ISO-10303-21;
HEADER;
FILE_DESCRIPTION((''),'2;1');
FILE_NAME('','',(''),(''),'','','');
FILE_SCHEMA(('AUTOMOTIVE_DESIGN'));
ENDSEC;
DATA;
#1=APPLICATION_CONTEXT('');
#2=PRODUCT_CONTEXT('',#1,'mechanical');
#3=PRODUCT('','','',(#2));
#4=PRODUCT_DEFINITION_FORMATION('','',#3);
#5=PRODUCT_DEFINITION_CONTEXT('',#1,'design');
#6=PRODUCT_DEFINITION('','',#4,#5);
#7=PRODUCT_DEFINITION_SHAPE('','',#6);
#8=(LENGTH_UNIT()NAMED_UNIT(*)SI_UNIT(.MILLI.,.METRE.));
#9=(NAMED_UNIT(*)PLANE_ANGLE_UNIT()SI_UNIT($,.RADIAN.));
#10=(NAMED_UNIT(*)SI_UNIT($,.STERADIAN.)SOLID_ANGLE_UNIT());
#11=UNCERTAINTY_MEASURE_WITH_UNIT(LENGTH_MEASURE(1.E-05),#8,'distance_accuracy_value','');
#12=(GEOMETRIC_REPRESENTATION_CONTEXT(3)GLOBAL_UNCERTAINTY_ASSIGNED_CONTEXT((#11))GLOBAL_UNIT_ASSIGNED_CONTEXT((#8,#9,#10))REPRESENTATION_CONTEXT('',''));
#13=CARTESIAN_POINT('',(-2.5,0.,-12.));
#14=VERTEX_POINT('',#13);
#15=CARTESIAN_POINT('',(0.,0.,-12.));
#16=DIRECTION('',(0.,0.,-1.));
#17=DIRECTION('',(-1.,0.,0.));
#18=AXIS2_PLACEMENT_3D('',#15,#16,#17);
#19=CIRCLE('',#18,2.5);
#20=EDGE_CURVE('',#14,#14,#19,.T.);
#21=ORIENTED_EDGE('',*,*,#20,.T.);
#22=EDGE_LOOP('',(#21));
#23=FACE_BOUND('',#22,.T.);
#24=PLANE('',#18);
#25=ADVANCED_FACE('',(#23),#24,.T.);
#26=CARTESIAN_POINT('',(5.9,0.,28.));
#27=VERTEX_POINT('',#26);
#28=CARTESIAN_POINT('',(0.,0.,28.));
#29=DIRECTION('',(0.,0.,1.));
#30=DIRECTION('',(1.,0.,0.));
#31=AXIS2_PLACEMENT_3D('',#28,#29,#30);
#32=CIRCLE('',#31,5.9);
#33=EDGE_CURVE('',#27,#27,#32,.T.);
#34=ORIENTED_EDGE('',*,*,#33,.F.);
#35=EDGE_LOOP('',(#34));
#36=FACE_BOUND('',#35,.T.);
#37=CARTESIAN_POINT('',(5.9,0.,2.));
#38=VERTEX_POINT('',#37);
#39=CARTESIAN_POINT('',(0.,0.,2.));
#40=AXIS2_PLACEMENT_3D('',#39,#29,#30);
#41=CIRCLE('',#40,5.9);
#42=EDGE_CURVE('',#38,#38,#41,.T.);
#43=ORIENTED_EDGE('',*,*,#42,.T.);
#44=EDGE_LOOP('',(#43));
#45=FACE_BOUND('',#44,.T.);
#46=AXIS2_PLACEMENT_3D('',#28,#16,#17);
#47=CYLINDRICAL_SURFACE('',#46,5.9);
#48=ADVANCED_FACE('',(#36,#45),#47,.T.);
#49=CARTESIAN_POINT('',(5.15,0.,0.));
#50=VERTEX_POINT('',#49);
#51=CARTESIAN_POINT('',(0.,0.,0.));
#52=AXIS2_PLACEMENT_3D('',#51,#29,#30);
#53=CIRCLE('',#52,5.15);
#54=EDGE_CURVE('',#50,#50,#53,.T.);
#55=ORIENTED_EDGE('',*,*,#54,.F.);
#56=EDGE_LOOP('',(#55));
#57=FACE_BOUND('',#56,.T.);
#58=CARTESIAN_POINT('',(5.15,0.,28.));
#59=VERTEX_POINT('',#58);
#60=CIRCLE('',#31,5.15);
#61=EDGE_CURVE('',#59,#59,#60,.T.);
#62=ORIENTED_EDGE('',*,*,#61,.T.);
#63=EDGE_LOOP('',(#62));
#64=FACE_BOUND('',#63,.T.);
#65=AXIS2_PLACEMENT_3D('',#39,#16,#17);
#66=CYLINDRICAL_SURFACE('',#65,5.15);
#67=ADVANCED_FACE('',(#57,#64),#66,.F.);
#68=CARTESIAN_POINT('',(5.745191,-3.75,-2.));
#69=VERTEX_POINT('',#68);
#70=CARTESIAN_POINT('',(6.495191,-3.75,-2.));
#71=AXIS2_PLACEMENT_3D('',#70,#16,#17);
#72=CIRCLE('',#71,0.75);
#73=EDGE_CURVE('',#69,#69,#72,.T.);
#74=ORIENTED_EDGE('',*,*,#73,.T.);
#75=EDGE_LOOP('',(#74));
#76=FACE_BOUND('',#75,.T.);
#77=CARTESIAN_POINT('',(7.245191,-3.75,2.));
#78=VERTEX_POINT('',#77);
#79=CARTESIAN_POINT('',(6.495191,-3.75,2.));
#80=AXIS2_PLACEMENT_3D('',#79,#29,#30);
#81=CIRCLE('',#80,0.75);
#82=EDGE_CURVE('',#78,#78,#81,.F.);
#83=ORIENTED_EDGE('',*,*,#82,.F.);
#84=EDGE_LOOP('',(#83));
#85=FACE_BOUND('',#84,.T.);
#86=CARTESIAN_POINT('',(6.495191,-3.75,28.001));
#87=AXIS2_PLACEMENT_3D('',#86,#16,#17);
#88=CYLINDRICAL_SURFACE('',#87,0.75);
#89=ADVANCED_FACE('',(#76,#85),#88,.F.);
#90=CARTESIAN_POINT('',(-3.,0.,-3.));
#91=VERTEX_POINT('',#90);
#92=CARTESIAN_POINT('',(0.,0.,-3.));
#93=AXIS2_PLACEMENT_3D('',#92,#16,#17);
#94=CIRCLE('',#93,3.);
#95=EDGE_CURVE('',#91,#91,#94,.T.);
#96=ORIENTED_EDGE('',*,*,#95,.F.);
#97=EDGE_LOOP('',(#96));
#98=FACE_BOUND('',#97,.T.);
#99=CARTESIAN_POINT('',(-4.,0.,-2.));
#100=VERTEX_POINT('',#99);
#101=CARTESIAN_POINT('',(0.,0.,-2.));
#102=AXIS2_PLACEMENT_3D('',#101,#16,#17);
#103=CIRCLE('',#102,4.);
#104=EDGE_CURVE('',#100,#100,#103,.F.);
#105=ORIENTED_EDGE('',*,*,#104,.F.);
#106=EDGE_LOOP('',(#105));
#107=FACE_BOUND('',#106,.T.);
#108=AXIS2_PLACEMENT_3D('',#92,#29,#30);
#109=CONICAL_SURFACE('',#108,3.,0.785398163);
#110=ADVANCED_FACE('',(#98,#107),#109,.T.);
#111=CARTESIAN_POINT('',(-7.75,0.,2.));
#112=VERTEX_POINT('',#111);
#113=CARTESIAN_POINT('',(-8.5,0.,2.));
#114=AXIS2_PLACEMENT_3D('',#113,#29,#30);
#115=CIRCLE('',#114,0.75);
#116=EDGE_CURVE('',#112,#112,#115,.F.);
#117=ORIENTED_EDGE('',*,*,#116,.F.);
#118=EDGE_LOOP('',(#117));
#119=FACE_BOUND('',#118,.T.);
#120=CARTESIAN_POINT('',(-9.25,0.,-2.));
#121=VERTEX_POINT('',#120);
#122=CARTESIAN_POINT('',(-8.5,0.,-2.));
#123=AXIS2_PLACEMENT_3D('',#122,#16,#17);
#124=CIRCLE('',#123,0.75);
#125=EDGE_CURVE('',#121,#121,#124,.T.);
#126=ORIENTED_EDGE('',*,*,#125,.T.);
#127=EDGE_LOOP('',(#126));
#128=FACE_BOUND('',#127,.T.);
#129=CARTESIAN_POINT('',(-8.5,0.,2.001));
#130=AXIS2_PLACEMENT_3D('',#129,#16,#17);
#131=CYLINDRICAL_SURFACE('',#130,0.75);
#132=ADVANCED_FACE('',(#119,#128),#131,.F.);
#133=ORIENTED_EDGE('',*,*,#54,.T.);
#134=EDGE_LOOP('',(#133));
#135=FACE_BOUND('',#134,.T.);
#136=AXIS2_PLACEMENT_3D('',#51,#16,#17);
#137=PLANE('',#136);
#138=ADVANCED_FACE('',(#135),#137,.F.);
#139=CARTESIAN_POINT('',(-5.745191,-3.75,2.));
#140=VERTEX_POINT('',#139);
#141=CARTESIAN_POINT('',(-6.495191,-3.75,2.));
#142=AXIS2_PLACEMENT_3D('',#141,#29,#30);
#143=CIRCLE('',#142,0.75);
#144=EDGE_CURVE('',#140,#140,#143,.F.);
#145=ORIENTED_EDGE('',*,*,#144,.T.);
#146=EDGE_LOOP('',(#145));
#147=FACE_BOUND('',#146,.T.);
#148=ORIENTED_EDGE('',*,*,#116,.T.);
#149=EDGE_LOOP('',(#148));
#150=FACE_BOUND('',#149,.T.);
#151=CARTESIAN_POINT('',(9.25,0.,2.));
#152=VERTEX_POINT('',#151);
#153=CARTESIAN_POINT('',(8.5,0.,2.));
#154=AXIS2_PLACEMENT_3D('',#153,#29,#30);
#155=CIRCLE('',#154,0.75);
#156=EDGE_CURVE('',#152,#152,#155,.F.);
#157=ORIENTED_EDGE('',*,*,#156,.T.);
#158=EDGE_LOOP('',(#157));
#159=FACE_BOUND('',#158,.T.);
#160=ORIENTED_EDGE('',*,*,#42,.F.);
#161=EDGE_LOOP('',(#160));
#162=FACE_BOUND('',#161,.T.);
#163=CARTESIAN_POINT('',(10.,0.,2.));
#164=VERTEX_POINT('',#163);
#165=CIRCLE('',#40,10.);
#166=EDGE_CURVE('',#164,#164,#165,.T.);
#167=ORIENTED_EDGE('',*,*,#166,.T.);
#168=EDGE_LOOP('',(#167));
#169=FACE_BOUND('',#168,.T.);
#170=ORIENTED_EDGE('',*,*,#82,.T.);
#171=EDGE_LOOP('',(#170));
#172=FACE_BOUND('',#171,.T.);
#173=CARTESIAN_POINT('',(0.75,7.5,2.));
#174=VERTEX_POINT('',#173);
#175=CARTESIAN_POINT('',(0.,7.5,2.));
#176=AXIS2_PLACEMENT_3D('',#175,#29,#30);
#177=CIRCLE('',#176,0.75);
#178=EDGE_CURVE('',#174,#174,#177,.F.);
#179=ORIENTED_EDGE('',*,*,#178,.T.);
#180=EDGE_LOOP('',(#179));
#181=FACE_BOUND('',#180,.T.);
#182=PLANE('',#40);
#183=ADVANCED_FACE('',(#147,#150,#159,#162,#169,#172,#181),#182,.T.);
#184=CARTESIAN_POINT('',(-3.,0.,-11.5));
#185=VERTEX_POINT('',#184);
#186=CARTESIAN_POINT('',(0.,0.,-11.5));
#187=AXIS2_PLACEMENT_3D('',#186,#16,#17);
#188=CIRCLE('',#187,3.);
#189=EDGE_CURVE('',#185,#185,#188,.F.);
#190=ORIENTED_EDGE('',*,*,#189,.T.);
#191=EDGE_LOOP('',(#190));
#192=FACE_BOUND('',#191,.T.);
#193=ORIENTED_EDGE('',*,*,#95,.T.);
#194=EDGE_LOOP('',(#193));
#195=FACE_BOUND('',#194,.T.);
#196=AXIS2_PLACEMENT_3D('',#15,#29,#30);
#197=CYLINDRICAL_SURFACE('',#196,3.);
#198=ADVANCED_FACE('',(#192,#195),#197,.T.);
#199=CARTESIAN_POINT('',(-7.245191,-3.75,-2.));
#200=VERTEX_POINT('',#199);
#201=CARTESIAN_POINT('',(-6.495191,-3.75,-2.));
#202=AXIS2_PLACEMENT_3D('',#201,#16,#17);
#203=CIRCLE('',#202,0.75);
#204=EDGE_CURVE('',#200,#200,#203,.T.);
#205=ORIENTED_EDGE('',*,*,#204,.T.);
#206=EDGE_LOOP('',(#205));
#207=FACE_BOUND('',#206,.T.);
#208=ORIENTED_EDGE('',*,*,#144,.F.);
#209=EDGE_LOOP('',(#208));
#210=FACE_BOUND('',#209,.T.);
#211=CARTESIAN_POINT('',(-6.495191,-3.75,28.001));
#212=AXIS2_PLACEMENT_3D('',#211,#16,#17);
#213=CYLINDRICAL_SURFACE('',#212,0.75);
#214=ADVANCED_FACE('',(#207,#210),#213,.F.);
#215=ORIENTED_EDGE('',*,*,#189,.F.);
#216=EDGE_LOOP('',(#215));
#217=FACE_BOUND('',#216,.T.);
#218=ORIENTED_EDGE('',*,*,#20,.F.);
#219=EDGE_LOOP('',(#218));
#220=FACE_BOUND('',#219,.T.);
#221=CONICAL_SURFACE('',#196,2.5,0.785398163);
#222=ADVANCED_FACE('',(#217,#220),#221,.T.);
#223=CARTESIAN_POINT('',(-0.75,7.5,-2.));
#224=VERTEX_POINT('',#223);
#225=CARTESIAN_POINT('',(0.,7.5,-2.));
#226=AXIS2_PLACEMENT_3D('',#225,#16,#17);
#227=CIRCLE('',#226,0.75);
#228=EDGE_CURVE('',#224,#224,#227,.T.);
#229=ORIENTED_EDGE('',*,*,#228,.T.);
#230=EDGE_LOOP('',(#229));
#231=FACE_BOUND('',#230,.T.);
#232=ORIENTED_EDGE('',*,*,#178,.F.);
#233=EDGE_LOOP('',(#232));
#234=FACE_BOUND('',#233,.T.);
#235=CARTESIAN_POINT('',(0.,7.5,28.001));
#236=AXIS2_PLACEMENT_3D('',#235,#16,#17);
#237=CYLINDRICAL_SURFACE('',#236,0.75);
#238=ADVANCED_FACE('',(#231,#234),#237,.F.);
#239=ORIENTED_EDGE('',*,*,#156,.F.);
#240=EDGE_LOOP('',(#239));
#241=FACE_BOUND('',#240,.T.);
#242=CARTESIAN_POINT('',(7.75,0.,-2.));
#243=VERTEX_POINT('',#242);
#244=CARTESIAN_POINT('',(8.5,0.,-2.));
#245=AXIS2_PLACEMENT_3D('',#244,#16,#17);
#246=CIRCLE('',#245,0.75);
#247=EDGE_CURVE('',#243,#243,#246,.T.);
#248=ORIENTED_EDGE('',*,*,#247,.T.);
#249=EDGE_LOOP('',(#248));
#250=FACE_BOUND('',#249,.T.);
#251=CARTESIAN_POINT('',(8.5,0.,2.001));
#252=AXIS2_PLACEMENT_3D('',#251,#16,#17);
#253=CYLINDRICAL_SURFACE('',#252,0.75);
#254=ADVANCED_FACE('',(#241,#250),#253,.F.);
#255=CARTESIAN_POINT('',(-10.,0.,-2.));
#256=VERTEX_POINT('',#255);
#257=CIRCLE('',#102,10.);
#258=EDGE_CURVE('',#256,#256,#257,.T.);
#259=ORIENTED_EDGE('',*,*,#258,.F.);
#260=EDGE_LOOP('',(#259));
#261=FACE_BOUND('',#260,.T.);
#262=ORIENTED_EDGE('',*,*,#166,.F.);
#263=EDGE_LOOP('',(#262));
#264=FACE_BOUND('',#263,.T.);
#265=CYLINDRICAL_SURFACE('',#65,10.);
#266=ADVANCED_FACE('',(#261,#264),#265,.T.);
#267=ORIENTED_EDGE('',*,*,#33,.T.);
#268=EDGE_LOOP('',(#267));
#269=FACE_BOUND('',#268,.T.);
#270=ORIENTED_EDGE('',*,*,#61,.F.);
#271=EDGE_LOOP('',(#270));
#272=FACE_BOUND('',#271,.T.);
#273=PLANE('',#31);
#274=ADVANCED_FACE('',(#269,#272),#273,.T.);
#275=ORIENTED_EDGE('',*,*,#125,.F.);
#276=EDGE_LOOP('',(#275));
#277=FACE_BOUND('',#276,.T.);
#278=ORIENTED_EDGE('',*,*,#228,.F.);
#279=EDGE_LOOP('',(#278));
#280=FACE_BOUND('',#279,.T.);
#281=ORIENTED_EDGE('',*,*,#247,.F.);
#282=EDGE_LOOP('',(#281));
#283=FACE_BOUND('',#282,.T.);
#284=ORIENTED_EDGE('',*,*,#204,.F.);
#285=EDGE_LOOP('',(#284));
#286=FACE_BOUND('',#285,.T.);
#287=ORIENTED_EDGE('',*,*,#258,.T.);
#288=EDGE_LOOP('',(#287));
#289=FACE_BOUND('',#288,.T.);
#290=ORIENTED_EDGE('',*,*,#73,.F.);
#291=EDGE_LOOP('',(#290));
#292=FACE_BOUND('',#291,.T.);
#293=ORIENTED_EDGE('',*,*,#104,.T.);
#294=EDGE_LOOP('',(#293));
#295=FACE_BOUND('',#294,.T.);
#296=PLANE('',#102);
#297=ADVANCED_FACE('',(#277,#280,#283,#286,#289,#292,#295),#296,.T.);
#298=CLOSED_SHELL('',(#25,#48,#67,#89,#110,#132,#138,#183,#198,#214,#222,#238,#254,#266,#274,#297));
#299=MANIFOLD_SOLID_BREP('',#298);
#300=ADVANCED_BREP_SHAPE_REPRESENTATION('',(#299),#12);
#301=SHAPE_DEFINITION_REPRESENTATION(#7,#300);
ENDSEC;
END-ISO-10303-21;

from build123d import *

# Parameters (mm, degrees)
SKETCH1_R           = 10
SKETCH1_R_2         = 5.15
BOSS_EXTRUDE1_DEPTH = 2
SKETCH3_R           = 3
BOSS_EXTRUDE2_DEPTH = 12
SKETCH4_R           = 10
SKETCH4_R_2         = 3
BOSS_EXTRUDE3_DEPTH = 2
CHAMFER2_SIZE       = 1
CHAMFER4_SIZE       = 0.5
CUT_EXTRUDE1_REACH  = 6
SKETCH5_R           = 0.75
SKETCH6_R           = 5.9
SKETCH6_R_2         = 5.15
BOSS_EXTRUDE4_DEPTH = 26
CUT_EXTRUDE2_REACH  = 32
SKETCH7_R           = 0.75


with BuildPart() as part:
    # Sketch1 → Boss-Extrude1 (new body)
    with BuildSketch(Plane.XY):
        Circle(SKETCH1_R)
        Circle(SKETCH1_R_2, mode=Mode.SUBTRACT)
    extrude(amount=BOSS_EXTRUDE1_DEPTH)



with BuildPart() as body_2:
    # Sketch3 → Boss-Extrude2 (new body)
    with BuildSketch(Plane(origin=(0, 0, 0), x_dir=(-1, 0, 0), z_dir=(0, 0, -1))):
        Circle(SKETCH3_R)
    extrude(amount=BOSS_EXTRUDE2_DEPTH)


with BuildPart() as part_1:
    add(part.part)

    add(body_2.part)  # Boss-Extrude3 merges body 2
    # Sketch4 → Boss-Extrude3 (add)
    with BuildSketch(Plane(origin=(0, 0, 0), x_dir=(-1, 0, 0), z_dir=(0, 0, -1))):
        Circle(SKETCH4_R)
        Circle(SKETCH4_R_2, mode=Mode.SUBTRACT)
    extrude(amount=BOSS_EXTRUDE3_DEPTH)

    # Chamfer2
    chamfer2_edges = [part_1.edges().sort_by_distance(p)[0] for p in [
        (3, 0, -2),
    ]]
    chamfer(chamfer2_edges, length=CHAMFER2_SIZE)

    # Chamfer4
    chamfer4_edges = [part_1.edges().sort_by_distance(p)[0] for p in [
        (3, 0, -12),
    ]]
    chamfer(chamfer4_edges, length=CHAMFER4_SIZE)

    # Sketch5 → Cut-Extrude1 (cut, up to next)
    with BuildSketch(Plane(origin=(0, 0, -2), x_dir=(-1, 0, 0), z_dir=(0, 0, -1)), mode=Mode.PRIVATE) as cut_extrude1_sk1:
        with Locations((-8.5, 0)):
            Circle(SKETCH5_R)
    cut_extrude1_tool1 = extrude(cut_extrude1_sk1.sketch, amount=-CUT_EXTRUDE1_REACH, mode=Mode.PRIVATE) & part_1.part
    add(cut_extrude1_tool1.solids().sort_by_distance((8.5, 0, -2))[0], mode=Mode.SUBTRACT)
    # Sketch5 → Cut-Extrude1 (cut, up to next)
    with BuildSketch(Plane(origin=(0, 0, -2), x_dir=(-1, 0, 0), z_dir=(0, 0, -1)), mode=Mode.PRIVATE) as cut_extrude1_sk2:
        with Locations((8.5, 0)):
            Circle(SKETCH5_R)
    cut_extrude1_tool2 = extrude(cut_extrude1_sk2.sketch, amount=-CUT_EXTRUDE1_REACH, mode=Mode.PRIVATE) & part_1.part
    add(cut_extrude1_tool2.solids().sort_by_distance((-8.5, 0, -2))[0], mode=Mode.SUBTRACT)

    # Sketch6 → Boss-Extrude4 (add)
    with BuildSketch(Plane.XY.offset(2)):
        Circle(SKETCH6_R)
        Circle(SKETCH6_R_2, mode=Mode.SUBTRACT)
    extrude(amount=BOSS_EXTRUDE4_DEPTH)

    # Sketch7 → Cut-Extrude2 (cut, up to next)
    with BuildSketch(Plane(origin=(0, 0, -2), x_dir=(-1, 0, 0), z_dir=(0, 0, -1)), mode=Mode.PRIVATE) as cut_extrude2_sk1:
        with Locations((0, 7.5)):
            Circle(SKETCH7_R)
    cut_extrude2_tool1 = extrude(cut_extrude2_sk1.sketch, amount=-CUT_EXTRUDE2_REACH, mode=Mode.PRIVATE) & part_1.part
    add(cut_extrude2_tool1.solids().sort_by_distance((0, 7.5, -2))[0], mode=Mode.SUBTRACT)
    # Sketch7 → Cut-Extrude2 (cut, up to next)
    with BuildSketch(Plane(origin=(0, 0, -2), x_dir=(-1, 0, 0), z_dir=(0, 0, -1)), mode=Mode.PRIVATE) as cut_extrude2_sk2:
        with Locations((6.495190528, -3.75)):
            Circle(SKETCH7_R)
    cut_extrude2_tool2 = extrude(cut_extrude2_sk2.sketch, amount=-CUT_EXTRUDE2_REACH, mode=Mode.PRIVATE) & part_1.part
    add(cut_extrude2_tool2.solids().sort_by_distance((-6.495191, -3.75, -2))[0], mode=Mode.SUBTRACT)
    # Sketch7 → Cut-Extrude2 (cut, up to next)
    with BuildSketch(Plane(origin=(0, 0, -2), x_dir=(-1, 0, 0), z_dir=(0, 0, -1)), mode=Mode.PRIVATE) as cut_extrude2_sk3:
        with Locations((-6.495190528, -3.75)):
            Circle(SKETCH7_R)
    cut_extrude2_tool3 = extrude(cut_extrude2_sk3.sketch, amount=-CUT_EXTRUDE2_REACH, mode=Mode.PRIVATE) & part_1.part
    add(cut_extrude2_tool3.solids().sort_by_distance((6.495191, -3.75, -2))[0], mode=Mode.SUBTRACT)


solid = part_1.part
